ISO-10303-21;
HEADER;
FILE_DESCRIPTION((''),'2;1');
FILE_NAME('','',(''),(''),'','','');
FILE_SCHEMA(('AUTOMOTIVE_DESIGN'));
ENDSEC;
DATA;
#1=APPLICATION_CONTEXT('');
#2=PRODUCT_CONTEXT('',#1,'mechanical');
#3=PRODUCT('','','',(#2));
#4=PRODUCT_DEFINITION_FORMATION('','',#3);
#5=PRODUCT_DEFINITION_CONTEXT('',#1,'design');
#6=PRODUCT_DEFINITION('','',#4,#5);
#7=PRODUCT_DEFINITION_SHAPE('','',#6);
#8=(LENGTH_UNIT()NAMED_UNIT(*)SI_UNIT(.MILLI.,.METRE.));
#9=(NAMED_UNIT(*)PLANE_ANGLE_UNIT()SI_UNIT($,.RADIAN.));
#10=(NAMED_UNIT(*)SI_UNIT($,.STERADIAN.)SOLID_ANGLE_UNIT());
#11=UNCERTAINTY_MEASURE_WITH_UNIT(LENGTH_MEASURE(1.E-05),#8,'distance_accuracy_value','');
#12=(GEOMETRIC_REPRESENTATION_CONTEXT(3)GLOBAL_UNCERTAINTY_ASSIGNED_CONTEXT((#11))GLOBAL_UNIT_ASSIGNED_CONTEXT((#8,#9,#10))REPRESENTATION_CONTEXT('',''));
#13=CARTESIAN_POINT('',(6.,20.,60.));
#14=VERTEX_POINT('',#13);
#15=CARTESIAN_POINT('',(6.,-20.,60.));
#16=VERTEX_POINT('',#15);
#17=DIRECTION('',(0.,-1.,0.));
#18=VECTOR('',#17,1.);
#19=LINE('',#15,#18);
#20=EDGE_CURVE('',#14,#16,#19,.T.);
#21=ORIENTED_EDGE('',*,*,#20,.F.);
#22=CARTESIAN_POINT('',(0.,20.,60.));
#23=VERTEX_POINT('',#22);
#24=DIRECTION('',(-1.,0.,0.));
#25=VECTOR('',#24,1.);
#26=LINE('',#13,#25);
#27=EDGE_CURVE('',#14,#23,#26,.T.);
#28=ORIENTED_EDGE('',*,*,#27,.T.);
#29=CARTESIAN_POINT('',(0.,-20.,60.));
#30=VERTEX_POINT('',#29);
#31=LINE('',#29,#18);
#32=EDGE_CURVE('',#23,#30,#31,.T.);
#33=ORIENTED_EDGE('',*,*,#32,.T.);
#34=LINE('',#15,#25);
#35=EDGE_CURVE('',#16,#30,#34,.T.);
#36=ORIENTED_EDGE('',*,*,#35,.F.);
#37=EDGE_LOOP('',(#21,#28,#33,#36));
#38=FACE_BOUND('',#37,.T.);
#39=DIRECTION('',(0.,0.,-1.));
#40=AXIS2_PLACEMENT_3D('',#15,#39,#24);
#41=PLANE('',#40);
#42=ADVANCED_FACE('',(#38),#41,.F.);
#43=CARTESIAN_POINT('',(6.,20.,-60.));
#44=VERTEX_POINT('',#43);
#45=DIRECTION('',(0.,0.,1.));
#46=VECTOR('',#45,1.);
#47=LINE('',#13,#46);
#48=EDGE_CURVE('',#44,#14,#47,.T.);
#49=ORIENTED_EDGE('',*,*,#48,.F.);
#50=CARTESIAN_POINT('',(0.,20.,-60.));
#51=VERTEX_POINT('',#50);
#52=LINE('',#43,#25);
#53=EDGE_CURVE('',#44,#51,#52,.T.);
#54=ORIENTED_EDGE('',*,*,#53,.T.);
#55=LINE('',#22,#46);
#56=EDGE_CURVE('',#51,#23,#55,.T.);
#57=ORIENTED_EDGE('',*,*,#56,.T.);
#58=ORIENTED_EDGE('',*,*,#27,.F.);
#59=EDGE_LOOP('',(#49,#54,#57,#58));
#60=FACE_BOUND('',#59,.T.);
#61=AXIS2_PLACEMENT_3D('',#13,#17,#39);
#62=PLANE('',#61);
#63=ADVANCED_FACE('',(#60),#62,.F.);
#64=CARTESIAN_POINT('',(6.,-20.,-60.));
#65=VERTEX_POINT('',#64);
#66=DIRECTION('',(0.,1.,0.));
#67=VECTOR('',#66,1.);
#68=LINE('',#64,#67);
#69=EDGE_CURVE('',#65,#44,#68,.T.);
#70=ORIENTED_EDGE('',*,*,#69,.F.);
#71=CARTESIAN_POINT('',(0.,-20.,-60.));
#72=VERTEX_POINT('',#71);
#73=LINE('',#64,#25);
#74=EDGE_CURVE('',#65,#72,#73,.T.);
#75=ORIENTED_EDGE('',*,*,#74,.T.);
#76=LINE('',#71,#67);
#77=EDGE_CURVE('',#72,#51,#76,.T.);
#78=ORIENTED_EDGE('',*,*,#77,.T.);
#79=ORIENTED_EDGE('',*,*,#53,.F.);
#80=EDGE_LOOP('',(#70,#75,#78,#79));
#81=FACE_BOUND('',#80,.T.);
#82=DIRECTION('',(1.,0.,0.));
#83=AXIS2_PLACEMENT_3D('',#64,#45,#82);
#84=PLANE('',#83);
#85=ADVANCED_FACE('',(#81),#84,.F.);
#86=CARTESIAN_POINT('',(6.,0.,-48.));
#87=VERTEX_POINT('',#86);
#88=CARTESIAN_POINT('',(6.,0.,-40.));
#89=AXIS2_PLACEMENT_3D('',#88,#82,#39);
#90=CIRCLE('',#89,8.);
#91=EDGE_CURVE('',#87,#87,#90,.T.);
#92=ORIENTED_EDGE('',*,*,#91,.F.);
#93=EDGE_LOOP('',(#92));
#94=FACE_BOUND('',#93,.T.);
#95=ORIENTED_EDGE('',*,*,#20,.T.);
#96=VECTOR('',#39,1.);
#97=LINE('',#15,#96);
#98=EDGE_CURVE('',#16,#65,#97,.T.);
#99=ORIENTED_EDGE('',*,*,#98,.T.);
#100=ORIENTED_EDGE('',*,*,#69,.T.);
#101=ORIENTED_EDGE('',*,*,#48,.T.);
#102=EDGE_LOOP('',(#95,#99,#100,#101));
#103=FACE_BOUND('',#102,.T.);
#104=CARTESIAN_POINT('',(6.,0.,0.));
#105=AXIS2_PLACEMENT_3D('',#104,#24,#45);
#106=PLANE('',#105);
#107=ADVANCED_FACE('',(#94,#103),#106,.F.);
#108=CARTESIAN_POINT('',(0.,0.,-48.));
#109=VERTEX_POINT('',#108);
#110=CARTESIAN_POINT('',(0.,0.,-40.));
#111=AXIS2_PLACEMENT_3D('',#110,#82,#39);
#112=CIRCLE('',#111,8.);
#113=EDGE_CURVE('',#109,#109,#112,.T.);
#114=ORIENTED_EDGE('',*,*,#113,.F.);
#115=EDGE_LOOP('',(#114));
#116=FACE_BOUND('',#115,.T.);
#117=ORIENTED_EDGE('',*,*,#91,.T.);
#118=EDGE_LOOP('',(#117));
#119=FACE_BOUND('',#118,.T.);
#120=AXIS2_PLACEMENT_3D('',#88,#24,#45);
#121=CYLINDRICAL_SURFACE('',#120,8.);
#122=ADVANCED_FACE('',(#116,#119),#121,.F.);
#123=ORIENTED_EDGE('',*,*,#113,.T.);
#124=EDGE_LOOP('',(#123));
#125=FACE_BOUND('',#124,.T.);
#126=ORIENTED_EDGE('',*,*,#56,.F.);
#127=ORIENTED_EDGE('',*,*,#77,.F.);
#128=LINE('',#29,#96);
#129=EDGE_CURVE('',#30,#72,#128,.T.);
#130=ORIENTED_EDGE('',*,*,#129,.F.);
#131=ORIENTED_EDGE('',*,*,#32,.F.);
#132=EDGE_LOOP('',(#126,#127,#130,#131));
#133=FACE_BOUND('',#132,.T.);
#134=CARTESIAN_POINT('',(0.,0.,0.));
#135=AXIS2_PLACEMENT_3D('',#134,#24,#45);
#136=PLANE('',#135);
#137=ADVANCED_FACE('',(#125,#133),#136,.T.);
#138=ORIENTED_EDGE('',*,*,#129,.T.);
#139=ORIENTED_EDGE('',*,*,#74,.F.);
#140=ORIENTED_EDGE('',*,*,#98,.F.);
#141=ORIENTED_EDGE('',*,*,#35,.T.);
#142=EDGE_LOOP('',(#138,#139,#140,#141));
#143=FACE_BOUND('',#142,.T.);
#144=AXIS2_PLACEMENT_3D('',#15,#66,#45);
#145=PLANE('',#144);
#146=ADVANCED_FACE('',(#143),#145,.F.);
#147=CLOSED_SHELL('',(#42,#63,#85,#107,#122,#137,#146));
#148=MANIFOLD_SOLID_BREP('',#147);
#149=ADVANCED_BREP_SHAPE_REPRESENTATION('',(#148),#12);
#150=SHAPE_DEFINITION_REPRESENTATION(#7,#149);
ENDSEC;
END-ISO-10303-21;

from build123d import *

# Parameters (mm, degrees)
SKETCH1_W           = 120
SKETCH1_H           = 40
SKETCH1_R           = 8
BOSS_EXTRUDE1_DEPTH = 6


with BuildPart() as part:
    # Sketch1 → Boss-Extrude1 (new body)
    with BuildSketch(Plane(origin=(0, 0, 0), x_dir=(0, 0, -1), z_dir=(1, 0, 0))):
        Rectangle(SKETCH1_W, SKETCH1_H)
        with Locations((40, 0)):
            Circle(SKETCH1_R, mode=Mode.SUBTRACT)
    extrude(amount=BOSS_EXTRUDE1_DEPTH)


solid = part.part
